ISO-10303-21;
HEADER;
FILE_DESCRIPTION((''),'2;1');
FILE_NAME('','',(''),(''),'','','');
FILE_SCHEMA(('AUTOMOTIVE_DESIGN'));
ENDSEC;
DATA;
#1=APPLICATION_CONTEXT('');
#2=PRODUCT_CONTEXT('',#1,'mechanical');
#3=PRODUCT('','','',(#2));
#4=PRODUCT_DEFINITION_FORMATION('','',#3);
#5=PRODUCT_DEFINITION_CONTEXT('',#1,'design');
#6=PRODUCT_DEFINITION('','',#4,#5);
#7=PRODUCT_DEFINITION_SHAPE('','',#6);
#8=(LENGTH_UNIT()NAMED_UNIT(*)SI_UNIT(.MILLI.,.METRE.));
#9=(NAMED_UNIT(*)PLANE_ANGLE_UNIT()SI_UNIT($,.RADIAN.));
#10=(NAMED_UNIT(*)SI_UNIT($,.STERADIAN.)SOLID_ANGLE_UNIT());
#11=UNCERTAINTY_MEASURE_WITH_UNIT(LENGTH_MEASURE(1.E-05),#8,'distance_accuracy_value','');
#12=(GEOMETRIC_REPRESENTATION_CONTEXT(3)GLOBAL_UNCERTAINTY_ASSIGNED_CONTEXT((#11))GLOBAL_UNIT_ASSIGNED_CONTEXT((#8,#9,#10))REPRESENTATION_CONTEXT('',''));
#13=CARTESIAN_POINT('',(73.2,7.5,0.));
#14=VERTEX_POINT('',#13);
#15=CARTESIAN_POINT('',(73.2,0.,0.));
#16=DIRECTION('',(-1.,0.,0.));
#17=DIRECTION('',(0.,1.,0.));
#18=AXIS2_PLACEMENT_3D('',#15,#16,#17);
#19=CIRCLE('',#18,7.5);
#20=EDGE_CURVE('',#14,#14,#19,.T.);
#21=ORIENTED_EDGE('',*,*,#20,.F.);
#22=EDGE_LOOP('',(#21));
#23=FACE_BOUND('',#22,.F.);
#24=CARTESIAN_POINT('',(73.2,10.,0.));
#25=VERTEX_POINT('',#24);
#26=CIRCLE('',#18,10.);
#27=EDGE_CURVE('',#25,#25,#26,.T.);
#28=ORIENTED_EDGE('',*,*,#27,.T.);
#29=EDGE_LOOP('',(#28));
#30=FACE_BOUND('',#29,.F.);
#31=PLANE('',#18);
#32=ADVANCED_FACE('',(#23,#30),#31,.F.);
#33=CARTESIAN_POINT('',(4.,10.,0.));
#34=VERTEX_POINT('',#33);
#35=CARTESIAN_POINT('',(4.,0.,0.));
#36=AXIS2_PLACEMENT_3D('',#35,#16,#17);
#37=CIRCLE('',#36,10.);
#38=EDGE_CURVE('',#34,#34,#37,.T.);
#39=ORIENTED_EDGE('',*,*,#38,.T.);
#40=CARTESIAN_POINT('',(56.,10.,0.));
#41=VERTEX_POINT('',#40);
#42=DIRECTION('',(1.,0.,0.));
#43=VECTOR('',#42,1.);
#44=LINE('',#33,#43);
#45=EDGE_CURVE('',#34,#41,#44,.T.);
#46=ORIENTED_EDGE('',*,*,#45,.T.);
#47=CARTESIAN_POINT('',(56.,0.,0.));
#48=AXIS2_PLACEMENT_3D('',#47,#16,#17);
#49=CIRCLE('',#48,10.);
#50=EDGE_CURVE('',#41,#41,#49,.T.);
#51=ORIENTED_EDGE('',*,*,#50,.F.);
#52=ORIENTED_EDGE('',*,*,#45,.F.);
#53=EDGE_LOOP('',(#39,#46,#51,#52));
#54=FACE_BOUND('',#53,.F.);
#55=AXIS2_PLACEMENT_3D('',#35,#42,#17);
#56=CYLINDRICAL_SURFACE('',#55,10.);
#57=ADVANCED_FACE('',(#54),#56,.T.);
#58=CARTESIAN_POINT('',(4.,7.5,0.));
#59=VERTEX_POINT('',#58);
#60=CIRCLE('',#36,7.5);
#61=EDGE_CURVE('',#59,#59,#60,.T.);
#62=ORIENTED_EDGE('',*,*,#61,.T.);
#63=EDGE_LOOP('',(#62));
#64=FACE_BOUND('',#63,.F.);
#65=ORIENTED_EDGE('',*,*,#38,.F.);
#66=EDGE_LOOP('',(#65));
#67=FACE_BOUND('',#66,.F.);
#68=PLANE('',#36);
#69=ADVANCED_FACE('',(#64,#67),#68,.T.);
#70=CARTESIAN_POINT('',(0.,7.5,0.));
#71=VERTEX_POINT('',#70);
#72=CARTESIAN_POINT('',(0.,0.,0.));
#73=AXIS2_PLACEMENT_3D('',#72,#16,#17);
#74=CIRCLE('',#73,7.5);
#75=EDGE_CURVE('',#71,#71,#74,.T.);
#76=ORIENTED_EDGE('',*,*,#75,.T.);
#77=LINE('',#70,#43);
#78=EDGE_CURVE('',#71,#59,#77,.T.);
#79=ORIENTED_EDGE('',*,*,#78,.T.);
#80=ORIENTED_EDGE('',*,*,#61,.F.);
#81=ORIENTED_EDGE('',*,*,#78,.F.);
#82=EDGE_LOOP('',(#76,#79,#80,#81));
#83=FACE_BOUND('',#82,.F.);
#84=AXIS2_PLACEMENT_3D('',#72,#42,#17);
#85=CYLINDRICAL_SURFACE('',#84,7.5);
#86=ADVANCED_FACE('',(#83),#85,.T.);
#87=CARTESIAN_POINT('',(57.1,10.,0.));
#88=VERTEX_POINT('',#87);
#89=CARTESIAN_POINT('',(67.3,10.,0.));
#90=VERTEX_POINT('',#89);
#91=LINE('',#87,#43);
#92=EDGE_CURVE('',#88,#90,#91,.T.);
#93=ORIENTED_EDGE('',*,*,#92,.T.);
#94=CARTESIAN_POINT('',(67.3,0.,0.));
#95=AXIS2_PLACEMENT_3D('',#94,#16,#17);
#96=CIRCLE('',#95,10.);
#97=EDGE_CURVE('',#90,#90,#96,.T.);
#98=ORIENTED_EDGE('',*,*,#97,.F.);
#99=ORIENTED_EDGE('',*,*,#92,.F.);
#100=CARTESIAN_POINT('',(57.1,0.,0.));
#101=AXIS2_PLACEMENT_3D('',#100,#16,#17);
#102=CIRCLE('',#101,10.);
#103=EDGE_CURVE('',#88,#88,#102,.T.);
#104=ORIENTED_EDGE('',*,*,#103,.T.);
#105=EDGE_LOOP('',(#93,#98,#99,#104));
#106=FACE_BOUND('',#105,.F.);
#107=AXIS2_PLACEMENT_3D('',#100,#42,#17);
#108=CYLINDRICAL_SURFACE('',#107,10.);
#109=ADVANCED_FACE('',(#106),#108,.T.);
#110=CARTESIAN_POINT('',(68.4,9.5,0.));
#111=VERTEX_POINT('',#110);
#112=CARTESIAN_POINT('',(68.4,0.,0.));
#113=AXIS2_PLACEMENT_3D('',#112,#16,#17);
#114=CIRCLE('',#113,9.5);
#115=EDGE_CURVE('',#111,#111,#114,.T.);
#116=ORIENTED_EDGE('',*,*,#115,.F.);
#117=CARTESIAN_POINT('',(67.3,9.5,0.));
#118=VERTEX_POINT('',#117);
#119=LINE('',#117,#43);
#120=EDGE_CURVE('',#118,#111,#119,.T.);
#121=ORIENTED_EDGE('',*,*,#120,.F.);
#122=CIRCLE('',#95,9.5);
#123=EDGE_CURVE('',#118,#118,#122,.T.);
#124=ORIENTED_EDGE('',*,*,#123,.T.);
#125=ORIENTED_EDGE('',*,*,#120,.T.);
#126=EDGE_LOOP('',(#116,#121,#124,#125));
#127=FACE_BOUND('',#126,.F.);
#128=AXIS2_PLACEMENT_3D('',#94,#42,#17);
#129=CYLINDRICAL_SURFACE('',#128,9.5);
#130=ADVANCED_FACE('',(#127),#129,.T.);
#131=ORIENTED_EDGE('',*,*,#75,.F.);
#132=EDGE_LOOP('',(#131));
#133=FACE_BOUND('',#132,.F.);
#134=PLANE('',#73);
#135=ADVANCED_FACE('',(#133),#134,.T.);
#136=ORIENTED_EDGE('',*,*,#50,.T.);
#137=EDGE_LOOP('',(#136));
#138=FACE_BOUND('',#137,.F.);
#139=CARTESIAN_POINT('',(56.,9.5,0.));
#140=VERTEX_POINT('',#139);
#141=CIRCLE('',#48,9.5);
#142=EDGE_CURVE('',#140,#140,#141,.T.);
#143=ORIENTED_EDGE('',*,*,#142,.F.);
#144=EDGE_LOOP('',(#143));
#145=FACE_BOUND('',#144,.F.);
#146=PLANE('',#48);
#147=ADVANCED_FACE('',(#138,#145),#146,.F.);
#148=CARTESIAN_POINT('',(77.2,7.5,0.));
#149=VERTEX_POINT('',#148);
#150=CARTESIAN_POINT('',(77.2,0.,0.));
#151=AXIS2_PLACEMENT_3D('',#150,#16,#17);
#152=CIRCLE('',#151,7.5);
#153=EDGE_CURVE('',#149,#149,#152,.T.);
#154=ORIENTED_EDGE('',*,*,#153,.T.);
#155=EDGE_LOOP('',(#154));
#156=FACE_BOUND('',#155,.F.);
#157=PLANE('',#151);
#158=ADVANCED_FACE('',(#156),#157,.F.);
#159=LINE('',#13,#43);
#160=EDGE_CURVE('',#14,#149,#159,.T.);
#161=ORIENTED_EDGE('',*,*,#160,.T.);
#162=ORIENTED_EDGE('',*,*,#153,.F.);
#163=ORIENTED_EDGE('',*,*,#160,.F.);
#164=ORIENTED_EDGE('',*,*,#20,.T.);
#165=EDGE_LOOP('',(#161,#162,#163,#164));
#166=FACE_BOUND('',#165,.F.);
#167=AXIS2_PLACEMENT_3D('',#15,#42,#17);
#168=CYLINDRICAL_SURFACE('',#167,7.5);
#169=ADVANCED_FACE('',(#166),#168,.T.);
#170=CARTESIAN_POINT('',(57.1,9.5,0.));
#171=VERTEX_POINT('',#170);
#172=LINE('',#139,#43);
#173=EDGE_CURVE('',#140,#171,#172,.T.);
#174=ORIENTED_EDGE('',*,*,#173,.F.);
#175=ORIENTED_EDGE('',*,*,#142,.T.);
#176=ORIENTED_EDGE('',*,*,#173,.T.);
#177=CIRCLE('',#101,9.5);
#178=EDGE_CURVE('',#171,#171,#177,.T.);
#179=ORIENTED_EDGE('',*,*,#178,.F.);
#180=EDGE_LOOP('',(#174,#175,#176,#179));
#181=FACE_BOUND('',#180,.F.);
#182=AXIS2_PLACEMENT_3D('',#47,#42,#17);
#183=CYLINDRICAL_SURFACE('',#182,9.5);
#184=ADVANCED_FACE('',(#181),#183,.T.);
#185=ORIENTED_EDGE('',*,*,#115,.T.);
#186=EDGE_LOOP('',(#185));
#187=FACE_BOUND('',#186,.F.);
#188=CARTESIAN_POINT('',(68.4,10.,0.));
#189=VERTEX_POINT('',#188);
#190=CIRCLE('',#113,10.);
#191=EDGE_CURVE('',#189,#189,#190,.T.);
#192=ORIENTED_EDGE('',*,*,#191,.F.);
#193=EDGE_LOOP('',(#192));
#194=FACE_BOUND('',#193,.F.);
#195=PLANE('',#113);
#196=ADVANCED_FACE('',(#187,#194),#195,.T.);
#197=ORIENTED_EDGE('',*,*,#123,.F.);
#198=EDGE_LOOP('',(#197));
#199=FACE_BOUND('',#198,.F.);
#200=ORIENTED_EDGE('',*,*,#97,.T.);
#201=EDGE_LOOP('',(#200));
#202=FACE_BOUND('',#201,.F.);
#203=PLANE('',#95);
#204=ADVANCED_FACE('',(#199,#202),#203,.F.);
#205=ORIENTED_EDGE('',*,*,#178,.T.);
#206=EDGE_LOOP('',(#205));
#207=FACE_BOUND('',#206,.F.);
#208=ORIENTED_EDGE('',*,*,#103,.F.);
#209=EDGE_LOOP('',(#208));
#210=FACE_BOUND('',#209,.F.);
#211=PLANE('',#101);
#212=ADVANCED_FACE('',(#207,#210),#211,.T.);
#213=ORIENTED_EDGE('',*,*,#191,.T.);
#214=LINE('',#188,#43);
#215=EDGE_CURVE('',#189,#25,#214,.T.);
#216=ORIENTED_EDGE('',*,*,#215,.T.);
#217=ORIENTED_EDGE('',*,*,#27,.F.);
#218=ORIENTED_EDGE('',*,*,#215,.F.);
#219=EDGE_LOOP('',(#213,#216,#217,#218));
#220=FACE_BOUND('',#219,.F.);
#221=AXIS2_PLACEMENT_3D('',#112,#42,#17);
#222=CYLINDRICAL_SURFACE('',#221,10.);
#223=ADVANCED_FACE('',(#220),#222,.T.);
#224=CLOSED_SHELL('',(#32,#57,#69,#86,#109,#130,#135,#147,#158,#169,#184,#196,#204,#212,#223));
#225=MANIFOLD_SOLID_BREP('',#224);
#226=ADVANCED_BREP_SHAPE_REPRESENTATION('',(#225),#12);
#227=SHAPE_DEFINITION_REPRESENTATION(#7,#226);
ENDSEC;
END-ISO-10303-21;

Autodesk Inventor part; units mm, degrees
ref_plane "YZ Plane" through (0, 0, 0) normal (1, 0, 0) x (0, 1, 0)
ref_plane "XZ Plane" through (0, 0, 0) normal (0, 1, 0) x (-1, 0, 0)
ref_plane "XY Plane" through (0, 0, 0) normal (0, 0, 1) x (1, 0, 0)
sketch "Sketch1" plane through (0, 0, 0) normal (0, 0, 1) x (1, 0, 0)
  line L0 (0, 0) -> (0, 7.5)
  line L1 (0, 7.5) -> (4, 7.5)
  line L2 (4, 7.5) -> (4, 10)
  line L3 (73.2, 10) -> (73.2, 7.5)
  line L4 (73.2, 7.5) -> (77.2, 7.5)
  line L5 (77.2, 7.5) -> (77.2, 0)
  line L6 (77.2, 0) -> (0, 0)
  line L7 (4, 10) -> (56, 10)
  line L8 (56, 10) -> (56, 9.5)
  line L9 (56, 9.5) -> (57.1, 9.5)
  line L10 (57.1, 9.5) -> (57.1, 10)
  line L11 (57.1, 10) -> (67.3, 10)
  line L12 (67.3, 10) -> (67.3, 9.5)
  line L13 (67.3, 9.5) -> (68.4, 9.5)
  line L14 (68.4, 9.5) -> (68.4, 10)
  line L15 (68.4, 10) -> (73.2, 10)
  dimension "d0" = 7.5
  dimension "d2" = 4
  dimension "d3" = 4
  dimension "d4" = 69.2
  dimension "d5" = 52
  dimension "d6" = 0.5
  dimension "d7" = 1.1
  dimension "d8" = 1.1
  dimension "d9" = 10.2
  dimension "d10" = 10
  dimension "d11" = 2.5
revolve "Revolution1" add sketch "Sketch1" angle 360 about axis through (77.2, 0, 0) along (-1, 0, 0)
properties part number "Wheel - Spur Axle" material "Steel, Mild"
